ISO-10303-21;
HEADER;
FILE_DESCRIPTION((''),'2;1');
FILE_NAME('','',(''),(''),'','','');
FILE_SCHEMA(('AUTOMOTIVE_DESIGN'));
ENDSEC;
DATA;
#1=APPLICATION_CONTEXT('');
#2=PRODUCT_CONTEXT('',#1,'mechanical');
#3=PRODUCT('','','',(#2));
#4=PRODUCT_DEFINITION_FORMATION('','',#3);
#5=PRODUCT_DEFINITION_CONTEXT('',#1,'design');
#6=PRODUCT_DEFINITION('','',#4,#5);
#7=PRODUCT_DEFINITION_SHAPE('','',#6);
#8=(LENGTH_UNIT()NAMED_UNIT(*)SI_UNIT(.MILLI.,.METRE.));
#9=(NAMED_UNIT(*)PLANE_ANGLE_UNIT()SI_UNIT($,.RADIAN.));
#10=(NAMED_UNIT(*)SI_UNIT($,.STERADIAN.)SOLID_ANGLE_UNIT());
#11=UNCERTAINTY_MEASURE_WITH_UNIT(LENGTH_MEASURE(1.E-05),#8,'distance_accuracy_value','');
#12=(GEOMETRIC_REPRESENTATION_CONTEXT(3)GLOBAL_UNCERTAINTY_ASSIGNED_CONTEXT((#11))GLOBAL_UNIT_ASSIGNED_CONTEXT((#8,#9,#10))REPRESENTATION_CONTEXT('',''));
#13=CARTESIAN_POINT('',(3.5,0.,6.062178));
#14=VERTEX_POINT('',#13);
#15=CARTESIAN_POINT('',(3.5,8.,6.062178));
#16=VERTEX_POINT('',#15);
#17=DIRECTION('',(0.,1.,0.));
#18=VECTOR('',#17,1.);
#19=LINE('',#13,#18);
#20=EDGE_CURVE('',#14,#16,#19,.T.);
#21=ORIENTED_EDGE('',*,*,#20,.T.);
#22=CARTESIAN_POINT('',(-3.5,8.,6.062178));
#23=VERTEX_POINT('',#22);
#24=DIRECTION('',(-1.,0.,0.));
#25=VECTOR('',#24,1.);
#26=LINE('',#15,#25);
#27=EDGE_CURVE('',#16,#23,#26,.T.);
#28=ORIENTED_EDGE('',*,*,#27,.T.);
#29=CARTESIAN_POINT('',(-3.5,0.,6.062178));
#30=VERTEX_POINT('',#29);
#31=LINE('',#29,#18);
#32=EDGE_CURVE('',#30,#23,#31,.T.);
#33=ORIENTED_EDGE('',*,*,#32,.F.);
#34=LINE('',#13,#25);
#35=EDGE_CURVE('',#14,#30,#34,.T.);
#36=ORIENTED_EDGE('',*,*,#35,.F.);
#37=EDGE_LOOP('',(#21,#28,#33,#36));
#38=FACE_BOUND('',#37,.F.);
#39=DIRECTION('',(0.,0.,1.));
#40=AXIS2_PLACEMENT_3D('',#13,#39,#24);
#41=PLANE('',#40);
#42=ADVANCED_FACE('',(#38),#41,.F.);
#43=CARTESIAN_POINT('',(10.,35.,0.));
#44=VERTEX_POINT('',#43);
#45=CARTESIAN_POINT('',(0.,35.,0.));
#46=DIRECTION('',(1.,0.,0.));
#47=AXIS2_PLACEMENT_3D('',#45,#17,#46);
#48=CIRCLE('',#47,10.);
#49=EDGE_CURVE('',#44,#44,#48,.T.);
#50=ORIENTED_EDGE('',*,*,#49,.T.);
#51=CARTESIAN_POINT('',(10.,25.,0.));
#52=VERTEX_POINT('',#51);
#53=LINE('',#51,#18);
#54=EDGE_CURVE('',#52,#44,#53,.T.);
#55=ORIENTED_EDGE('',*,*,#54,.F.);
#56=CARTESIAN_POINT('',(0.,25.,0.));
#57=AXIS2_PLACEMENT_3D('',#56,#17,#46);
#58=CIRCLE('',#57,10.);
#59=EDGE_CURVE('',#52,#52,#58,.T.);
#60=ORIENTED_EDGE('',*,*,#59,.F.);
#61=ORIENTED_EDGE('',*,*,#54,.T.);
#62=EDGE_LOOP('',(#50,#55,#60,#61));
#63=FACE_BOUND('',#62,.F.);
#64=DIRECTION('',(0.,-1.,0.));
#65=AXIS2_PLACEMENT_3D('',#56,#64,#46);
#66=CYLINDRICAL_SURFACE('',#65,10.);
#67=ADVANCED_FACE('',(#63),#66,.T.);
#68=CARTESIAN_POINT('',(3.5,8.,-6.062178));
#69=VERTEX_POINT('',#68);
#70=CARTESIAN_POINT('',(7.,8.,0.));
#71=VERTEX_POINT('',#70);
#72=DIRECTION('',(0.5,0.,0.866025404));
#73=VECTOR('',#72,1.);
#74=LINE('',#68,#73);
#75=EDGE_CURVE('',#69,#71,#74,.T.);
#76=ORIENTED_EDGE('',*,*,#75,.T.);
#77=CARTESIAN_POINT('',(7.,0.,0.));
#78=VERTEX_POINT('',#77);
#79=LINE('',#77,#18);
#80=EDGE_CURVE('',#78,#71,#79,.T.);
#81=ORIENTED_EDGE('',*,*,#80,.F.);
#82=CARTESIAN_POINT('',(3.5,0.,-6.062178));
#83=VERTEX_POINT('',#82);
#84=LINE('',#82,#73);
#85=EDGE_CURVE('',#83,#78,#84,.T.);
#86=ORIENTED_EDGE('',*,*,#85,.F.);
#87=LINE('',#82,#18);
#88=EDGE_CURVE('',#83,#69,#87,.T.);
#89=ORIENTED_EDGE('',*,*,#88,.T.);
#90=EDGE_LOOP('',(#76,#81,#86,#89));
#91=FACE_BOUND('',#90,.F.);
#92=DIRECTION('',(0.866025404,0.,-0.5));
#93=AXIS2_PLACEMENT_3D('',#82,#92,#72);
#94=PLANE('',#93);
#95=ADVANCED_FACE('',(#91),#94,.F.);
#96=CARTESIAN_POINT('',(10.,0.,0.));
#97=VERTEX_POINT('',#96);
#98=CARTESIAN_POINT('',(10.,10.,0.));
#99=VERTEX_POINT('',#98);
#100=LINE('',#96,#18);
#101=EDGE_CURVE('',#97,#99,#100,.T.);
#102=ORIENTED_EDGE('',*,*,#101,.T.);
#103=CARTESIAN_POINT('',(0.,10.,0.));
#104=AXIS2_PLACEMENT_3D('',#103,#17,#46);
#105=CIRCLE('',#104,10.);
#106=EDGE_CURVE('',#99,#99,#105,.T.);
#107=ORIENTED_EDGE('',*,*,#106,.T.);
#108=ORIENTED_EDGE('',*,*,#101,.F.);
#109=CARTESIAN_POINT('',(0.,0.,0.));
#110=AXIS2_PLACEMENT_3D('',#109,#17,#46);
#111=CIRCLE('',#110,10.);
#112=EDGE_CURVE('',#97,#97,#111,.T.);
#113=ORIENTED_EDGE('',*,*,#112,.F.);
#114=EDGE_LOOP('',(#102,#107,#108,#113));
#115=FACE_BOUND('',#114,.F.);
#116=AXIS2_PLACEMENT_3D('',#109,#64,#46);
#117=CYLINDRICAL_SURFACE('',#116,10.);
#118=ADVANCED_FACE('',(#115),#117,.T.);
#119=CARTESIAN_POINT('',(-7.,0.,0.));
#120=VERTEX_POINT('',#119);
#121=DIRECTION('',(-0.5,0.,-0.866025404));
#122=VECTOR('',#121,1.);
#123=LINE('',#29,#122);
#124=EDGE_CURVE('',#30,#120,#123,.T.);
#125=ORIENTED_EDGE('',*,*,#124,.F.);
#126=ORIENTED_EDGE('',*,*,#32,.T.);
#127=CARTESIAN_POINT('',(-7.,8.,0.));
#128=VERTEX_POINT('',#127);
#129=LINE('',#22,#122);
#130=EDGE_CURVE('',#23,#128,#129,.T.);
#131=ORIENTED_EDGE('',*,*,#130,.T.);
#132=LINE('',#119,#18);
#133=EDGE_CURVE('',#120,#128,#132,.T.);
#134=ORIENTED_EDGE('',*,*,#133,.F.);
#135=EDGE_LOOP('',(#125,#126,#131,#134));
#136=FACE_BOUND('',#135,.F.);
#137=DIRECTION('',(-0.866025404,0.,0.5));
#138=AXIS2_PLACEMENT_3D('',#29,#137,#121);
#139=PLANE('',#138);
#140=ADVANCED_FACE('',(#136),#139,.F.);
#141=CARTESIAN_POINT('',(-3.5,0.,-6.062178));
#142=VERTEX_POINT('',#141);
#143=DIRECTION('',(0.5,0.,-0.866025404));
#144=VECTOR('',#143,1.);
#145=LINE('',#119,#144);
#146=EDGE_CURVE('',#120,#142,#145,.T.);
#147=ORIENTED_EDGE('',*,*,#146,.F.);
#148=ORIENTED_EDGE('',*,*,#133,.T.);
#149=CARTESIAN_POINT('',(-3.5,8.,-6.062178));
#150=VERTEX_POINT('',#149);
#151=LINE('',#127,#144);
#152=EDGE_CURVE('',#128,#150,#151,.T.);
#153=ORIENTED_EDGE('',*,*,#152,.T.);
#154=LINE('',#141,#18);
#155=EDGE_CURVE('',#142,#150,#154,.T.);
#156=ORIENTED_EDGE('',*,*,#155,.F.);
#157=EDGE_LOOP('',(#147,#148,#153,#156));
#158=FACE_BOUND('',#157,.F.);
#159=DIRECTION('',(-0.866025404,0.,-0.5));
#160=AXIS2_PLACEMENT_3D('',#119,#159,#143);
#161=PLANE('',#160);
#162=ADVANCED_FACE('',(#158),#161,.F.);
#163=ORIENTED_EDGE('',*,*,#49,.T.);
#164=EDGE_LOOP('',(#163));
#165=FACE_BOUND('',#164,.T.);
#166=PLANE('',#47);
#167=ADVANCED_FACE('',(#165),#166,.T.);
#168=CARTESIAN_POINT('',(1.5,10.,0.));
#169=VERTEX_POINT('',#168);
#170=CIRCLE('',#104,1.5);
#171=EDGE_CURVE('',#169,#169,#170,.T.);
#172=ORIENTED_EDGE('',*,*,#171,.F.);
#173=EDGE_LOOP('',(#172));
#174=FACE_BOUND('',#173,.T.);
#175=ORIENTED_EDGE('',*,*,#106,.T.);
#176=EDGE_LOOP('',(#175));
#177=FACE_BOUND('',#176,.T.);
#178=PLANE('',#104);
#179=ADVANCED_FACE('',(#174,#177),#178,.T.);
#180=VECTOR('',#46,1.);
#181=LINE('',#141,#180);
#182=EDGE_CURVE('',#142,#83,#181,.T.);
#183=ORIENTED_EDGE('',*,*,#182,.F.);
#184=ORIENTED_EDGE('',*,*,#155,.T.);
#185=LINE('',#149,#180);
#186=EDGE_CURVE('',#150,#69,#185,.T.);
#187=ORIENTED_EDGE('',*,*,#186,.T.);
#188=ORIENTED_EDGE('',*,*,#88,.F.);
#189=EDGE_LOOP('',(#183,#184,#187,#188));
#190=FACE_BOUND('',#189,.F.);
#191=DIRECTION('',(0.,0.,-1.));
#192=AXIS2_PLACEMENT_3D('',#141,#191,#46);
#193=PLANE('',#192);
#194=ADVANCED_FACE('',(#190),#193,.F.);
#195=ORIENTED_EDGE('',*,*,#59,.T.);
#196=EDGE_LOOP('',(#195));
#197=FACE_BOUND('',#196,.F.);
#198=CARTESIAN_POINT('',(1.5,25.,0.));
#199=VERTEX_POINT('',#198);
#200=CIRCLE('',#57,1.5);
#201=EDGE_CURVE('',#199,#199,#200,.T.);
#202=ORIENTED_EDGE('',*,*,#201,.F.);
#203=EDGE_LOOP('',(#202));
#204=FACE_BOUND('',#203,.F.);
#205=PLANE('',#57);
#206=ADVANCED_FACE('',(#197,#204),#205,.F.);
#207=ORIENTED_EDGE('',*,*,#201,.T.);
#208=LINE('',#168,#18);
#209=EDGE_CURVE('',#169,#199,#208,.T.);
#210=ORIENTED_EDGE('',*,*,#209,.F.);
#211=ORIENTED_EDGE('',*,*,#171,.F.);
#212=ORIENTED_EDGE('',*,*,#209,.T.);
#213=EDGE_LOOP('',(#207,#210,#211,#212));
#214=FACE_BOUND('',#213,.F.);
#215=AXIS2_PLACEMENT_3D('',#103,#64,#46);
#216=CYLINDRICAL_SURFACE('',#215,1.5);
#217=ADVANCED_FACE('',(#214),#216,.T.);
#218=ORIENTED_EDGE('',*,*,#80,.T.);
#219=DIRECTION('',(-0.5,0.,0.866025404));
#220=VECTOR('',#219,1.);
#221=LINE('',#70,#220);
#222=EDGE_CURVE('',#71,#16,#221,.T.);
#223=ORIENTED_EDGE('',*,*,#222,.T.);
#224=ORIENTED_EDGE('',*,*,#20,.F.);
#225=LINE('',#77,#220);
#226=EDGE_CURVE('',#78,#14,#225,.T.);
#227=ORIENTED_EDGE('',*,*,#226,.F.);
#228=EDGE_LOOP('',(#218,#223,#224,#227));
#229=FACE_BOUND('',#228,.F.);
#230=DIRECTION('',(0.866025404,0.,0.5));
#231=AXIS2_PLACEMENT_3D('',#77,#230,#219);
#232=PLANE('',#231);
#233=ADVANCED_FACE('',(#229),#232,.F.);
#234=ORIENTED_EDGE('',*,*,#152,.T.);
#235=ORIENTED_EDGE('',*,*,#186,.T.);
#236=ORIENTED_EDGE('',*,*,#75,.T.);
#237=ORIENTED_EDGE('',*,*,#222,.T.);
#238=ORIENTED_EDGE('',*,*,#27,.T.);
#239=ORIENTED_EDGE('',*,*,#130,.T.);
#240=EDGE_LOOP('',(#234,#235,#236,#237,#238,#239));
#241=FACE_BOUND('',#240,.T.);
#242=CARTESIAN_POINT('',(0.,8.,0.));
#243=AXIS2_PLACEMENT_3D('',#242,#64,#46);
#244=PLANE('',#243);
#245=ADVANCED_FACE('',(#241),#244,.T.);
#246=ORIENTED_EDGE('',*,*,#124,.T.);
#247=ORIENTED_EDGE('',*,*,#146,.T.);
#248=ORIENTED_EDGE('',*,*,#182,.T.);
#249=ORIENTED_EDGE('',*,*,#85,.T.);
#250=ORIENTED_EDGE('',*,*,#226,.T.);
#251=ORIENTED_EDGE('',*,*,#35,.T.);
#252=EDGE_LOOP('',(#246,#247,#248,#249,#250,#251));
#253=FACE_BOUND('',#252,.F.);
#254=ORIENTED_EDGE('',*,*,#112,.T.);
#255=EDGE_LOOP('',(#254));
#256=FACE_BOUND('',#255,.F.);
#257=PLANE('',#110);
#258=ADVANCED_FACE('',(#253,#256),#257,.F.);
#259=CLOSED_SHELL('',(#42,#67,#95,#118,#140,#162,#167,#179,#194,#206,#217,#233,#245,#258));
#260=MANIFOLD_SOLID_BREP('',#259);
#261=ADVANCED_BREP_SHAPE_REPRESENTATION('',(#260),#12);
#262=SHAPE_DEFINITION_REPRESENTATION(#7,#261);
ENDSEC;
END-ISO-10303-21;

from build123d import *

# Parameters (mm, degrees)
SKETCH1_R           = 10
BOSS_EXTRUDE1_DEPTH = 10
SKETCH2_R           = 1.5
BOSS_EXTRUDE2_DEPTH = 15
CUT_EXTRUDE1_DEPTH  = 8
SKETCH4_R           = 10
BOSS_EXTRUDE3_DEPTH = 10


with BuildPart() as part:
    # Sketch1 → Boss-Extrude1 (new body)
    with BuildSketch(Plane(origin=(0, 0, 0), x_dir=(1, 0, 0), z_dir=(0, 1, 0))):
        Circle(SKETCH1_R)
    extrude(amount=BOSS_EXTRUDE1_DEPTH)

    # Sketch2 → Boss-Extrude2 (add)
    with BuildSketch(Plane(origin=(0, 10, 0), x_dir=(1, 0, 0), z_dir=(0, 1, 0))):
        Circle(SKETCH2_R)
    extrude(amount=BOSS_EXTRUDE2_DEPTH)

    # Sketch3 → Cut-Extrude1 (cut)
    with BuildSketch(Plane.XZ):
        Polygon((7, 0), (3.5, 6.062177826), (-3.5, 6.062177826), (-7, 0), (-3.5, -6.062177826), (3.5, -6.062177826), align=None)
    extrude(amount=-CUT_EXTRUDE1_DEPTH, mode=Mode.SUBTRACT)

    # Sketch4 → Boss-Extrude3 (add)
    with BuildSketch(Plane(origin=(0, 25, 0), x_dir=(1, 0, 0), z_dir=(0, 1, 0))):
        Circle(SKETCH4_R)
    extrude(amount=BOSS_EXTRUDE3_DEPTH)


solid = part.part
